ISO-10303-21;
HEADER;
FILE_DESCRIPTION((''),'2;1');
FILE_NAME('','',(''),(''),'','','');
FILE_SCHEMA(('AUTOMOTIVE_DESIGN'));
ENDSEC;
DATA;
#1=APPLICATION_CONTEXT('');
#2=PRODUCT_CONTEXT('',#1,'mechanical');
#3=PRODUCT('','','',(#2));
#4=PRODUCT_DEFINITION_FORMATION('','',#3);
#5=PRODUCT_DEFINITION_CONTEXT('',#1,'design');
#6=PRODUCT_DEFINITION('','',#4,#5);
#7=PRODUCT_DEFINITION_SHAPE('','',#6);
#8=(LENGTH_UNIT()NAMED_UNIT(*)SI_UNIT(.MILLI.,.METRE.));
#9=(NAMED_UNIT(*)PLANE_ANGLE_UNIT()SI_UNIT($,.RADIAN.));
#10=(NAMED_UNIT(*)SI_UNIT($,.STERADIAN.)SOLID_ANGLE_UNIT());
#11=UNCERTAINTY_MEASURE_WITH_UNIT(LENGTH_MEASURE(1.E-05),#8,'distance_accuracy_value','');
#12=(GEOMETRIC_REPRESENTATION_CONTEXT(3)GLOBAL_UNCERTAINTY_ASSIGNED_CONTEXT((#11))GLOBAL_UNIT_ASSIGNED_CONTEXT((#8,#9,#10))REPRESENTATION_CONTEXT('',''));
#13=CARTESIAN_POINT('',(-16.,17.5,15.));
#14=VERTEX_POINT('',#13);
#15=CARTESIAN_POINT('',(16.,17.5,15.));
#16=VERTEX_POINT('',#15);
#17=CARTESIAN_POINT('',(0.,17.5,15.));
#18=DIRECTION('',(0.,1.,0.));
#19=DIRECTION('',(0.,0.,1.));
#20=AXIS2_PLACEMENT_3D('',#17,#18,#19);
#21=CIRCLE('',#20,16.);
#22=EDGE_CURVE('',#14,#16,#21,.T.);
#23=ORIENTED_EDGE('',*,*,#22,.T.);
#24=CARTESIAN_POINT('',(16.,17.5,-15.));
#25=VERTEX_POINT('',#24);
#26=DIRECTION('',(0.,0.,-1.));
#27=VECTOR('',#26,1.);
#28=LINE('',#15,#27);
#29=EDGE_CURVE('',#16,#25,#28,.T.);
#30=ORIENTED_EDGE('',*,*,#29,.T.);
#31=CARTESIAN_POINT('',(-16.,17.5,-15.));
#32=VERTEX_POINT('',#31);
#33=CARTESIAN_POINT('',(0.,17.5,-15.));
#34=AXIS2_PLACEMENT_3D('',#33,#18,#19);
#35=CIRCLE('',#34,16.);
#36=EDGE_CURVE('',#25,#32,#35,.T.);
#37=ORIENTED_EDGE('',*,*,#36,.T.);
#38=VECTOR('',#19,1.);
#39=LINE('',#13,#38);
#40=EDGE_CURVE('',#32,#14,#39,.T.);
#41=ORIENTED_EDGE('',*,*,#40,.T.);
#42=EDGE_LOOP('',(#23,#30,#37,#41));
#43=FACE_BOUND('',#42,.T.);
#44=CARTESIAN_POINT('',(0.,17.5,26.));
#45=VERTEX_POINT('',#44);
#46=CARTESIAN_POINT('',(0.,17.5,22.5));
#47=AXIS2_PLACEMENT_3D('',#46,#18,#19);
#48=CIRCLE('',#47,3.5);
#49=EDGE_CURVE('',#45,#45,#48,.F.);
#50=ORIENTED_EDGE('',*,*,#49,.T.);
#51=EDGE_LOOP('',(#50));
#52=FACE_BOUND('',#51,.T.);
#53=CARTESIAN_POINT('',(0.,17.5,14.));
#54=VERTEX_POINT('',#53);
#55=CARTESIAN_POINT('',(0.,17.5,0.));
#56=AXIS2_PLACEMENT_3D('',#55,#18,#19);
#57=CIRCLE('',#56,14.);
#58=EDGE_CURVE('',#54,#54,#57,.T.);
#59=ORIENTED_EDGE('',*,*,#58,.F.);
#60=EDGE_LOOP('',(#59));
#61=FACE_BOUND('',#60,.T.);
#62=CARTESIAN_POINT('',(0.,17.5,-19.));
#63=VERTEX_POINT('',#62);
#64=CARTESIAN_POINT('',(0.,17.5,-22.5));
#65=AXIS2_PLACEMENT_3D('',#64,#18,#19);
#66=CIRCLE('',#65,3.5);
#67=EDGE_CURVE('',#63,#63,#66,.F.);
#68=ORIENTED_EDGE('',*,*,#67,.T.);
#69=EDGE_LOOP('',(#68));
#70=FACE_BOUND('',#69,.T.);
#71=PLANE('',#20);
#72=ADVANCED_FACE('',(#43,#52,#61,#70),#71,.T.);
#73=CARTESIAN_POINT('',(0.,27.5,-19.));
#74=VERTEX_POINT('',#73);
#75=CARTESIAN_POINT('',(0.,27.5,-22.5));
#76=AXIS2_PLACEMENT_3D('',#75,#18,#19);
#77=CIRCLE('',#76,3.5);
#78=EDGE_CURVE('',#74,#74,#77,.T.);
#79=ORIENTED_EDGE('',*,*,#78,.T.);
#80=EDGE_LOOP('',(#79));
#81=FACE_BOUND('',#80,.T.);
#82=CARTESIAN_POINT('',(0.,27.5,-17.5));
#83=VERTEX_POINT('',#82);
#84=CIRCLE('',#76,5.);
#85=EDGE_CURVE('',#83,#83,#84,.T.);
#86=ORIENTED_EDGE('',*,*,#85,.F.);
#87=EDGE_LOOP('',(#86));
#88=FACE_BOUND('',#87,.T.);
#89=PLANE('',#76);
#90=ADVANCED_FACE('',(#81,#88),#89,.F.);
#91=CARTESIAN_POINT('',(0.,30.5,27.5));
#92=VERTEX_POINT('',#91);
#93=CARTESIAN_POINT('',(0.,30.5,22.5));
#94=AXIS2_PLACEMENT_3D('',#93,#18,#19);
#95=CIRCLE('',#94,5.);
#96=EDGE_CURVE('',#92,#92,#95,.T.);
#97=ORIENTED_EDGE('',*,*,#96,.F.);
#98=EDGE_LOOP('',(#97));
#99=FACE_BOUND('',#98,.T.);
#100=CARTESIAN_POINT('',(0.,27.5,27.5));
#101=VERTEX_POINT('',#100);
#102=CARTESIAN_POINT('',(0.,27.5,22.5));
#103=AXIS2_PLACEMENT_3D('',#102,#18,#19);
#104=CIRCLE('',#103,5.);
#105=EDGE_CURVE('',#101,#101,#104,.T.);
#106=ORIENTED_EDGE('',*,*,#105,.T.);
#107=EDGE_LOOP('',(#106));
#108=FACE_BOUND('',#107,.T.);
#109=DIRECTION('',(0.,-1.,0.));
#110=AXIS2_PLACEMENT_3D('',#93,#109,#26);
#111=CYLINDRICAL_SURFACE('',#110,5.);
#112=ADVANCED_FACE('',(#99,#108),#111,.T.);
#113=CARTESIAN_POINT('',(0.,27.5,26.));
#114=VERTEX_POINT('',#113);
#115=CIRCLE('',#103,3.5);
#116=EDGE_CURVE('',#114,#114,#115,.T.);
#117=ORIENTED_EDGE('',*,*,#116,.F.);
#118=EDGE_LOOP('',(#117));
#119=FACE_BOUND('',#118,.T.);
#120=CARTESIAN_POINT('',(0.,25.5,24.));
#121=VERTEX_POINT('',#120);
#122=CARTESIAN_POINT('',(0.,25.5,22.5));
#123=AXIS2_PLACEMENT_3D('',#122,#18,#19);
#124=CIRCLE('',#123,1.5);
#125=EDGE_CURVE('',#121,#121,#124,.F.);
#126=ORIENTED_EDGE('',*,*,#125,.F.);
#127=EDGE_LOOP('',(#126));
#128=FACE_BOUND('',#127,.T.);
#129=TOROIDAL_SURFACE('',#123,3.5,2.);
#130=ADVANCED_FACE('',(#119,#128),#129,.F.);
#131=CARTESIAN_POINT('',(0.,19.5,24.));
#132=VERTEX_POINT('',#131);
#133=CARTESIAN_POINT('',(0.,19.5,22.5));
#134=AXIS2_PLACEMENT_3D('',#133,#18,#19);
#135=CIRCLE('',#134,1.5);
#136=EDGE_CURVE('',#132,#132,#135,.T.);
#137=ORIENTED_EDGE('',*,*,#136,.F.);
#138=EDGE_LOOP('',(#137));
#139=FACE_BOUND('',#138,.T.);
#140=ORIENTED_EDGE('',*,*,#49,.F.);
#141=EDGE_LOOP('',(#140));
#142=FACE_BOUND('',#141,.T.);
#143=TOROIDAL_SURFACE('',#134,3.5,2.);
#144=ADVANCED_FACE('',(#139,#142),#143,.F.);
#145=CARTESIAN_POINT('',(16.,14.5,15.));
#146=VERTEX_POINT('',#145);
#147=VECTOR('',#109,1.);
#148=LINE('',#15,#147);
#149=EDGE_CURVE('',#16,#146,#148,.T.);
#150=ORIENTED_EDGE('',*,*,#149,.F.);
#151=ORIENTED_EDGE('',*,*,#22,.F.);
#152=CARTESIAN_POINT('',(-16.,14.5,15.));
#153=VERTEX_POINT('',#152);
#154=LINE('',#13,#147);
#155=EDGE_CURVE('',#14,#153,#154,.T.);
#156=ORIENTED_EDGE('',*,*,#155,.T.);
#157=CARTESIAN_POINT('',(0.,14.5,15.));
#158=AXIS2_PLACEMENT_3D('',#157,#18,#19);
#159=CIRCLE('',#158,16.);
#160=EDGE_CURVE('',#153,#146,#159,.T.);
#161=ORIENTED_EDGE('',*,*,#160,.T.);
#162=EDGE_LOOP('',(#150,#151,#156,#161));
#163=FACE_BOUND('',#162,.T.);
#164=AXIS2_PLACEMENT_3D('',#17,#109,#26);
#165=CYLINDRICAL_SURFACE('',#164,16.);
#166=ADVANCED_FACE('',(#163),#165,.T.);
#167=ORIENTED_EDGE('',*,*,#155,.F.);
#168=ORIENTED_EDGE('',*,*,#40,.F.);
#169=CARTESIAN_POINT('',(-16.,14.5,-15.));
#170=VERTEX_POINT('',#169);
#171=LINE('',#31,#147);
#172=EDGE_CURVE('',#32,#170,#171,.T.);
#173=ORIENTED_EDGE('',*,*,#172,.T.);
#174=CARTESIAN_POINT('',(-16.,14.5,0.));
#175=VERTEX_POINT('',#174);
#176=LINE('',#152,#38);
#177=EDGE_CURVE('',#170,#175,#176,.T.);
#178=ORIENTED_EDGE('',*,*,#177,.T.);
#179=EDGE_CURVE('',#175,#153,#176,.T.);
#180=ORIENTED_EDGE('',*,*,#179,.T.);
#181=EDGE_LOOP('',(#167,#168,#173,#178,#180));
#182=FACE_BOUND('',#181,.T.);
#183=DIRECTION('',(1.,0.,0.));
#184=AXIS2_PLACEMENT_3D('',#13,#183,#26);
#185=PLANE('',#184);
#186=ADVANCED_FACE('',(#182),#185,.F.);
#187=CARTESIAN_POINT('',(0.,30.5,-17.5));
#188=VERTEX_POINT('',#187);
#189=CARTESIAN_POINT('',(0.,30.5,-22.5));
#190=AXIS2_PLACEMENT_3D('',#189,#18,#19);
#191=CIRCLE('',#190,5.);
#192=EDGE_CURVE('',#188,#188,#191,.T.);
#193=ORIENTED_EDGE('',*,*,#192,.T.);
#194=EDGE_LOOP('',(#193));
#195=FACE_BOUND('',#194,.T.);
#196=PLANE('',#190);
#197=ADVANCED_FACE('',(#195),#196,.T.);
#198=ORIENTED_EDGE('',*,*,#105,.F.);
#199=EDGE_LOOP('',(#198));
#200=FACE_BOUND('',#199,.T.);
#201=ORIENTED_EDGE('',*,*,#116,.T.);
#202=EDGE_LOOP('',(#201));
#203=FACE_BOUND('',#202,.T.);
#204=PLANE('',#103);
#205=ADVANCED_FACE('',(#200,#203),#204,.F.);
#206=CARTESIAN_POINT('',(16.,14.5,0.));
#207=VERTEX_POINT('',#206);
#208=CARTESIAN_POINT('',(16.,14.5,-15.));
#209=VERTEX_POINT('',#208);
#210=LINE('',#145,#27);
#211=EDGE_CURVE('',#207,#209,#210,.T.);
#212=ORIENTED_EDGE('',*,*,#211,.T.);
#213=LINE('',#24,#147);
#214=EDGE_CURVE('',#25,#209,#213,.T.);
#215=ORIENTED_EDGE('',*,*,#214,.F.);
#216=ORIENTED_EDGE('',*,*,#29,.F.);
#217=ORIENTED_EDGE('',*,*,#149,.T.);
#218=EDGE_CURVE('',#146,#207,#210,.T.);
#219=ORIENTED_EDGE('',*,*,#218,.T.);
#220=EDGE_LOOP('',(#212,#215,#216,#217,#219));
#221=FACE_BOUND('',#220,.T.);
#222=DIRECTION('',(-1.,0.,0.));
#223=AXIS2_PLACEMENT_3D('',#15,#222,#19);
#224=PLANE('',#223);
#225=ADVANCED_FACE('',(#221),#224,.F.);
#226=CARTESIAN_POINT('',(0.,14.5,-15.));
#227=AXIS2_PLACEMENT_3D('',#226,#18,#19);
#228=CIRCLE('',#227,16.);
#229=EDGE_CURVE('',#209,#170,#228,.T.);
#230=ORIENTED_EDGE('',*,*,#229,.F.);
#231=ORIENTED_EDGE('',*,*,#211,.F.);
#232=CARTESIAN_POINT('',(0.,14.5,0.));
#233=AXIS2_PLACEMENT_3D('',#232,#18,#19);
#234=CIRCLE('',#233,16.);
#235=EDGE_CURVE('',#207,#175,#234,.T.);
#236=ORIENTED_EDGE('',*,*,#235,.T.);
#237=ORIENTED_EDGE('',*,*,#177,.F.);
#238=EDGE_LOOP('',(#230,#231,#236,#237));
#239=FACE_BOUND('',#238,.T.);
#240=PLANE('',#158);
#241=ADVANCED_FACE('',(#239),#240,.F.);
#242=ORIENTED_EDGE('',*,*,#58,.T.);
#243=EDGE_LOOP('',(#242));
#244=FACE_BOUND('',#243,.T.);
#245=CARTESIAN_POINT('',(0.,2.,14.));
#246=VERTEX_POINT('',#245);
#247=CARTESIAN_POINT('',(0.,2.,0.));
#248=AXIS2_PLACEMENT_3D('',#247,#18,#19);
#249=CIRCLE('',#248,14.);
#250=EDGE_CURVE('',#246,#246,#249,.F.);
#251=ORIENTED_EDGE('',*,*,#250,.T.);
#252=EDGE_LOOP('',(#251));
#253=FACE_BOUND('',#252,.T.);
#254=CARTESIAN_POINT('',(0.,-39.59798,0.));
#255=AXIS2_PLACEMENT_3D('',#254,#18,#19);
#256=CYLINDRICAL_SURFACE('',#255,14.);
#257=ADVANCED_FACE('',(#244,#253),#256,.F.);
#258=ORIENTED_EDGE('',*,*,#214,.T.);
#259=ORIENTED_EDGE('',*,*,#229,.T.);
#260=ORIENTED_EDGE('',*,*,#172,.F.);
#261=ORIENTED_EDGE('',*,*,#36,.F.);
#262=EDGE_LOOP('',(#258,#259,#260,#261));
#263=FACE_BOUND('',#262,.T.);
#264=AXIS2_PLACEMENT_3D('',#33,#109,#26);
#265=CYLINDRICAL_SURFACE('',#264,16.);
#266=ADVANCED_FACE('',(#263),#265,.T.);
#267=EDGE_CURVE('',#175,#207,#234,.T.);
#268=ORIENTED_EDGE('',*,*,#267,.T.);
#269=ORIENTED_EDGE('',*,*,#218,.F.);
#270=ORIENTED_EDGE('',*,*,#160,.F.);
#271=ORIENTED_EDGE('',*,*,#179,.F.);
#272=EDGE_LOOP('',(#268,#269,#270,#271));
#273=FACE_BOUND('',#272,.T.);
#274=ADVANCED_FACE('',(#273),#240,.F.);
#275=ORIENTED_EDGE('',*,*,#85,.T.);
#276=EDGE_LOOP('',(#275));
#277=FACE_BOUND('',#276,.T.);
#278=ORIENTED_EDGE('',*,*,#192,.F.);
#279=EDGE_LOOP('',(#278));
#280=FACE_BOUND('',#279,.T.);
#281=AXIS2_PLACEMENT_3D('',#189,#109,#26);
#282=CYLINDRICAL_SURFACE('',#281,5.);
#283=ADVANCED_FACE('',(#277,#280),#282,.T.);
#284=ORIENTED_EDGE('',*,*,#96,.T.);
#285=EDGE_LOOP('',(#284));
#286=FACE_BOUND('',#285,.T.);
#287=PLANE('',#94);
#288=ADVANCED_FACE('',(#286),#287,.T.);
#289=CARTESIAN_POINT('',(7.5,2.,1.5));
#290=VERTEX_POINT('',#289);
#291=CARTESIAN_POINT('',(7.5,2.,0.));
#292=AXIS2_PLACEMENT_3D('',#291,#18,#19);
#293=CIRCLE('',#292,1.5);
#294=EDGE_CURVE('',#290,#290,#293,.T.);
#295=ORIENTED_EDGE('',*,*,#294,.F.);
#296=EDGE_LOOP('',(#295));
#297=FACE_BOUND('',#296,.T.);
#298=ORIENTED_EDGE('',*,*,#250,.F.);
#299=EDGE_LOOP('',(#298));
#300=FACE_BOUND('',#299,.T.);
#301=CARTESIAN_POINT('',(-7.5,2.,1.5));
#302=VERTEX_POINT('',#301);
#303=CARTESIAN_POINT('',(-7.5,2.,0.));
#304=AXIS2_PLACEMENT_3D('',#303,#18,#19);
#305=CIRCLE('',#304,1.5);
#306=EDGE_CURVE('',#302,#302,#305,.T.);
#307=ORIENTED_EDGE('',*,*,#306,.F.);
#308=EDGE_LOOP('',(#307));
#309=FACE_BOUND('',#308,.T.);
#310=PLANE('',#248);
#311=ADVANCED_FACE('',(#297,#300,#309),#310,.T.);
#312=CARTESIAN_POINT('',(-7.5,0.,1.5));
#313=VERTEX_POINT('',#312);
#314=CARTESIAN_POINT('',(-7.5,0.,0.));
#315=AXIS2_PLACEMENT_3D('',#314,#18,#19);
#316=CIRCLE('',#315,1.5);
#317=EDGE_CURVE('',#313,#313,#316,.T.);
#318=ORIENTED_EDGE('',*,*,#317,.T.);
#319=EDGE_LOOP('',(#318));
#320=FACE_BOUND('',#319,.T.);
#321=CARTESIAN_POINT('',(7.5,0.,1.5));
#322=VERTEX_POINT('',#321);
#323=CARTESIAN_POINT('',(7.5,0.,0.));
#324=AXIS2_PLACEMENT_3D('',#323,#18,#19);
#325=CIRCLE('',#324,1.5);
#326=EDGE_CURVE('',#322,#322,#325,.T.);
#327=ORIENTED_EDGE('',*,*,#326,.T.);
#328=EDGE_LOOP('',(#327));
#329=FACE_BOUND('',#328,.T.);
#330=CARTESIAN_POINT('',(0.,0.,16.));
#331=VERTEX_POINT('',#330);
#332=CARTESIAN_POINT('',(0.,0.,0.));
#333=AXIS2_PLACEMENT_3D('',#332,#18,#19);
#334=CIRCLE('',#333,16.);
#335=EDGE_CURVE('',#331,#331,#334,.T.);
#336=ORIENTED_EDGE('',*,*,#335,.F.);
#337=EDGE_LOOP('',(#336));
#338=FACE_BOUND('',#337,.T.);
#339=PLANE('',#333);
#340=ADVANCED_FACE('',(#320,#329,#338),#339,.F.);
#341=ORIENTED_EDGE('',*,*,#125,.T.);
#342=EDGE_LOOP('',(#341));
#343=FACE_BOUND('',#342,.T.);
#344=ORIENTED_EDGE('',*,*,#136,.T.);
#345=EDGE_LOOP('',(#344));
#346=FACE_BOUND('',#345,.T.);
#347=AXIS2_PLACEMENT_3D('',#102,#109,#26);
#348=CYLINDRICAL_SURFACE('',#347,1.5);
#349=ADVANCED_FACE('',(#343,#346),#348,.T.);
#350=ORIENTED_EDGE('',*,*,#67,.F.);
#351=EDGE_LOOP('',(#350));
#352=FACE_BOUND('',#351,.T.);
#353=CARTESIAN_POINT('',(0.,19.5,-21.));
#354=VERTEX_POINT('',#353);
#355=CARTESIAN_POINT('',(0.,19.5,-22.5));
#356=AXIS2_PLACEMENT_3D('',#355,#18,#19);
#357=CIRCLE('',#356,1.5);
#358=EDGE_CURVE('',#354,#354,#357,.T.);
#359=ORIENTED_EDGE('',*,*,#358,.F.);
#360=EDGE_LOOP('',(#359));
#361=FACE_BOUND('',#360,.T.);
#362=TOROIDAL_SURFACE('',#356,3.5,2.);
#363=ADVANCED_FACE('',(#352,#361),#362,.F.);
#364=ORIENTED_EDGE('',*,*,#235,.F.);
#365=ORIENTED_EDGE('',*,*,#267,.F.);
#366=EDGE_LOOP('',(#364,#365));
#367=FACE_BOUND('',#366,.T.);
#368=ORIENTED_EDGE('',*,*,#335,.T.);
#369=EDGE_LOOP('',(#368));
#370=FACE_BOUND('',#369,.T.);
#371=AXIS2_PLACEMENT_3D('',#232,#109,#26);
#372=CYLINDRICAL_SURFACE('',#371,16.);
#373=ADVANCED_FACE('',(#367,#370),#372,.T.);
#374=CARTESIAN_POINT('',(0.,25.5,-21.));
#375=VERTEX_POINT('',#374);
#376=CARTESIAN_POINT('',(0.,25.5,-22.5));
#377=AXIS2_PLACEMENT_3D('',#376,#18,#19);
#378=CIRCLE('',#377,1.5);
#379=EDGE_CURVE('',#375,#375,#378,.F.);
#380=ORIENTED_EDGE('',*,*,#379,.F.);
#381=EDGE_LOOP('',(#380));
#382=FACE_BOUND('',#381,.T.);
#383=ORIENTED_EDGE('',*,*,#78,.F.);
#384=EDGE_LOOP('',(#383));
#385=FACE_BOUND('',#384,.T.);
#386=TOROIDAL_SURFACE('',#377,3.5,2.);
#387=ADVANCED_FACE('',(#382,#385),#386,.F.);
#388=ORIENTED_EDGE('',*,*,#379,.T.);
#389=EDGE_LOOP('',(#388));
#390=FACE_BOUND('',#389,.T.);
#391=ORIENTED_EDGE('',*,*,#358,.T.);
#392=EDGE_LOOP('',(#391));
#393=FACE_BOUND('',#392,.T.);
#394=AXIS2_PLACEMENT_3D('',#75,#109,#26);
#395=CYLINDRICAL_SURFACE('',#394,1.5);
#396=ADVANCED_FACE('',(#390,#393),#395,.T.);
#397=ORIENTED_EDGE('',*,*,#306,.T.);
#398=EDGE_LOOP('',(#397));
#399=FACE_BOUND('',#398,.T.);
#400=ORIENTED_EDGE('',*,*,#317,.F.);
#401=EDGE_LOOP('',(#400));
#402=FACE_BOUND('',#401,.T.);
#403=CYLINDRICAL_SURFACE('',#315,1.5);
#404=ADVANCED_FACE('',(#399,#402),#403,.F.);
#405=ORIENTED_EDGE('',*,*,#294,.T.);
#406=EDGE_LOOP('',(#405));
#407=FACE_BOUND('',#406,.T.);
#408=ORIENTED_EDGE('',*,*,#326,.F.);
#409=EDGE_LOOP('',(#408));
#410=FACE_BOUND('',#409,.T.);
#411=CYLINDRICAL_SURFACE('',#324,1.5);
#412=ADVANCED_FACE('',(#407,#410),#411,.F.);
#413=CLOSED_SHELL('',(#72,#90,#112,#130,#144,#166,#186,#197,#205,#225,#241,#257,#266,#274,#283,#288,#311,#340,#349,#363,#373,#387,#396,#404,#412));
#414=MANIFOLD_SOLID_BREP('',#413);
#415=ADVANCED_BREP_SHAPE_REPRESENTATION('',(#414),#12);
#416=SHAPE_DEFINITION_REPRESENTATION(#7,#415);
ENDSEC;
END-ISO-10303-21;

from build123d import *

# Parameters (mm, degrees)
SKETCH1_R           = 16
BOSS_EXTRUDE1_DEPTH = 14.5
BOSS_EXTRUDE2_DEPTH = 3
SKETCH3_R           = 1.5
BOSS_EXTRUDE3_DEPTH = 10
SKETCH4_R           = 14
CUT_EXTRUDE1_DEPTH  = 15.5
SKETCH5_R           = 1.5
CUT_EXTRUDE2_DEPTH  = 44.211688234
SKETCH7_R           = 5
BOSS_EXTRUDE4_DEPTH = 3
FILLET1_R           = 2


with BuildPart() as part:
    # Sketch1 → Boss-Extrude1 (new body)
    with BuildSketch(Plane(origin=(0, 0, 0), x_dir=(1, 0, 0), z_dir=(0, 1, 0))):
        with Locations(Location((0, 0, 0), (0, 0, 90))):
            Circle(SKETCH1_R)
    extrude(amount=BOSS_EXTRUDE1_DEPTH)

    # Sketch2 → Boss-Extrude2 (add)
    with BuildSketch(Plane(origin=(0, 14.5, 0), x_dir=(1, 0, 0), z_dir=(0, 1, 0))):
        with BuildLine():
            Line((-16, -15), (-16, 15))
            ThreePointArc((-16, 15), (0, 31), (16, 15))
            Line((16, 15), (16, -15))
            ThreePointArc((16, -15), (0, -31), (-16, -15))
        make_face()
    extrude(amount=BOSS_EXTRUDE2_DEPTH)

    # Sketch3 → Boss-Extrude3 (add)
    with BuildSketch(Plane(origin=(0, 17.5, 0), x_dir=(1, 0, 0), z_dir=(0, 1, 0))):
        with Locations(Location((0, 22.5, 0), (0, 0, 270))):
            Circle(SKETCH3_R)
        with Locations(Location((0, -22.5, 0), (0, 0, 270))):
            Circle(SKETCH3_R)
    extrude(amount=BOSS_EXTRUDE3_DEPTH)

    # Sketch4 → Cut-Extrude1 (cut)
    with BuildSketch(Plane(origin=(0, 17.5, 0), x_dir=(1, 0, 0), z_dir=(0, 1, 0))):
        with Locations(Location((0, 0, 0), (0, 0, 270))):
            Circle(SKETCH4_R)
    extrude(amount=-CUT_EXTRUDE1_DEPTH, mode=Mode.SUBTRACT)

    # Sketch5 → Cut-Extrude2 (cut, through all)
    with BuildSketch(Plane(origin=(0, 2, 0), x_dir=(1, 0, 0), z_dir=(0, 1, 0))):
        with Locations(Location((7.5, 0, 0), (0, 0, 270))):
            Circle(SKETCH5_R)
        with Locations(Location((-7.5, 0, 0), (0, 0, 270))):
            Circle(SKETCH5_R)
    extrude(amount=-CUT_EXTRUDE2_DEPTH, mode=Mode.SUBTRACT)

    # Sketch7 → Boss-Extrude4 (add)
    with BuildSketch(Plane(origin=(0, 27.5, 0), x_dir=(1, 0, 0), z_dir=(0, 1, 0))):
        with Locations(Location((0, 22.5, 0), (0, 0, 270))):
            Circle(SKETCH7_R)
        with Locations(Location((0, -22.5, 0), (0, 0, 270))):
            Circle(SKETCH7_R)
    extrude(amount=BOSS_EXTRUDE4_DEPTH)

    # Fillet1
    fillet1_edges = [part.edges().sort_by_distance(p)[0] for p in [
        (0, 17.5, -24),
        (0, 27.5, -24),
        (0, 17.5, 21),
        (0, 27.5, 21),
    ]]
    fillet(fillet1_edges, radius=FILLET1_R)


solid = part.part
